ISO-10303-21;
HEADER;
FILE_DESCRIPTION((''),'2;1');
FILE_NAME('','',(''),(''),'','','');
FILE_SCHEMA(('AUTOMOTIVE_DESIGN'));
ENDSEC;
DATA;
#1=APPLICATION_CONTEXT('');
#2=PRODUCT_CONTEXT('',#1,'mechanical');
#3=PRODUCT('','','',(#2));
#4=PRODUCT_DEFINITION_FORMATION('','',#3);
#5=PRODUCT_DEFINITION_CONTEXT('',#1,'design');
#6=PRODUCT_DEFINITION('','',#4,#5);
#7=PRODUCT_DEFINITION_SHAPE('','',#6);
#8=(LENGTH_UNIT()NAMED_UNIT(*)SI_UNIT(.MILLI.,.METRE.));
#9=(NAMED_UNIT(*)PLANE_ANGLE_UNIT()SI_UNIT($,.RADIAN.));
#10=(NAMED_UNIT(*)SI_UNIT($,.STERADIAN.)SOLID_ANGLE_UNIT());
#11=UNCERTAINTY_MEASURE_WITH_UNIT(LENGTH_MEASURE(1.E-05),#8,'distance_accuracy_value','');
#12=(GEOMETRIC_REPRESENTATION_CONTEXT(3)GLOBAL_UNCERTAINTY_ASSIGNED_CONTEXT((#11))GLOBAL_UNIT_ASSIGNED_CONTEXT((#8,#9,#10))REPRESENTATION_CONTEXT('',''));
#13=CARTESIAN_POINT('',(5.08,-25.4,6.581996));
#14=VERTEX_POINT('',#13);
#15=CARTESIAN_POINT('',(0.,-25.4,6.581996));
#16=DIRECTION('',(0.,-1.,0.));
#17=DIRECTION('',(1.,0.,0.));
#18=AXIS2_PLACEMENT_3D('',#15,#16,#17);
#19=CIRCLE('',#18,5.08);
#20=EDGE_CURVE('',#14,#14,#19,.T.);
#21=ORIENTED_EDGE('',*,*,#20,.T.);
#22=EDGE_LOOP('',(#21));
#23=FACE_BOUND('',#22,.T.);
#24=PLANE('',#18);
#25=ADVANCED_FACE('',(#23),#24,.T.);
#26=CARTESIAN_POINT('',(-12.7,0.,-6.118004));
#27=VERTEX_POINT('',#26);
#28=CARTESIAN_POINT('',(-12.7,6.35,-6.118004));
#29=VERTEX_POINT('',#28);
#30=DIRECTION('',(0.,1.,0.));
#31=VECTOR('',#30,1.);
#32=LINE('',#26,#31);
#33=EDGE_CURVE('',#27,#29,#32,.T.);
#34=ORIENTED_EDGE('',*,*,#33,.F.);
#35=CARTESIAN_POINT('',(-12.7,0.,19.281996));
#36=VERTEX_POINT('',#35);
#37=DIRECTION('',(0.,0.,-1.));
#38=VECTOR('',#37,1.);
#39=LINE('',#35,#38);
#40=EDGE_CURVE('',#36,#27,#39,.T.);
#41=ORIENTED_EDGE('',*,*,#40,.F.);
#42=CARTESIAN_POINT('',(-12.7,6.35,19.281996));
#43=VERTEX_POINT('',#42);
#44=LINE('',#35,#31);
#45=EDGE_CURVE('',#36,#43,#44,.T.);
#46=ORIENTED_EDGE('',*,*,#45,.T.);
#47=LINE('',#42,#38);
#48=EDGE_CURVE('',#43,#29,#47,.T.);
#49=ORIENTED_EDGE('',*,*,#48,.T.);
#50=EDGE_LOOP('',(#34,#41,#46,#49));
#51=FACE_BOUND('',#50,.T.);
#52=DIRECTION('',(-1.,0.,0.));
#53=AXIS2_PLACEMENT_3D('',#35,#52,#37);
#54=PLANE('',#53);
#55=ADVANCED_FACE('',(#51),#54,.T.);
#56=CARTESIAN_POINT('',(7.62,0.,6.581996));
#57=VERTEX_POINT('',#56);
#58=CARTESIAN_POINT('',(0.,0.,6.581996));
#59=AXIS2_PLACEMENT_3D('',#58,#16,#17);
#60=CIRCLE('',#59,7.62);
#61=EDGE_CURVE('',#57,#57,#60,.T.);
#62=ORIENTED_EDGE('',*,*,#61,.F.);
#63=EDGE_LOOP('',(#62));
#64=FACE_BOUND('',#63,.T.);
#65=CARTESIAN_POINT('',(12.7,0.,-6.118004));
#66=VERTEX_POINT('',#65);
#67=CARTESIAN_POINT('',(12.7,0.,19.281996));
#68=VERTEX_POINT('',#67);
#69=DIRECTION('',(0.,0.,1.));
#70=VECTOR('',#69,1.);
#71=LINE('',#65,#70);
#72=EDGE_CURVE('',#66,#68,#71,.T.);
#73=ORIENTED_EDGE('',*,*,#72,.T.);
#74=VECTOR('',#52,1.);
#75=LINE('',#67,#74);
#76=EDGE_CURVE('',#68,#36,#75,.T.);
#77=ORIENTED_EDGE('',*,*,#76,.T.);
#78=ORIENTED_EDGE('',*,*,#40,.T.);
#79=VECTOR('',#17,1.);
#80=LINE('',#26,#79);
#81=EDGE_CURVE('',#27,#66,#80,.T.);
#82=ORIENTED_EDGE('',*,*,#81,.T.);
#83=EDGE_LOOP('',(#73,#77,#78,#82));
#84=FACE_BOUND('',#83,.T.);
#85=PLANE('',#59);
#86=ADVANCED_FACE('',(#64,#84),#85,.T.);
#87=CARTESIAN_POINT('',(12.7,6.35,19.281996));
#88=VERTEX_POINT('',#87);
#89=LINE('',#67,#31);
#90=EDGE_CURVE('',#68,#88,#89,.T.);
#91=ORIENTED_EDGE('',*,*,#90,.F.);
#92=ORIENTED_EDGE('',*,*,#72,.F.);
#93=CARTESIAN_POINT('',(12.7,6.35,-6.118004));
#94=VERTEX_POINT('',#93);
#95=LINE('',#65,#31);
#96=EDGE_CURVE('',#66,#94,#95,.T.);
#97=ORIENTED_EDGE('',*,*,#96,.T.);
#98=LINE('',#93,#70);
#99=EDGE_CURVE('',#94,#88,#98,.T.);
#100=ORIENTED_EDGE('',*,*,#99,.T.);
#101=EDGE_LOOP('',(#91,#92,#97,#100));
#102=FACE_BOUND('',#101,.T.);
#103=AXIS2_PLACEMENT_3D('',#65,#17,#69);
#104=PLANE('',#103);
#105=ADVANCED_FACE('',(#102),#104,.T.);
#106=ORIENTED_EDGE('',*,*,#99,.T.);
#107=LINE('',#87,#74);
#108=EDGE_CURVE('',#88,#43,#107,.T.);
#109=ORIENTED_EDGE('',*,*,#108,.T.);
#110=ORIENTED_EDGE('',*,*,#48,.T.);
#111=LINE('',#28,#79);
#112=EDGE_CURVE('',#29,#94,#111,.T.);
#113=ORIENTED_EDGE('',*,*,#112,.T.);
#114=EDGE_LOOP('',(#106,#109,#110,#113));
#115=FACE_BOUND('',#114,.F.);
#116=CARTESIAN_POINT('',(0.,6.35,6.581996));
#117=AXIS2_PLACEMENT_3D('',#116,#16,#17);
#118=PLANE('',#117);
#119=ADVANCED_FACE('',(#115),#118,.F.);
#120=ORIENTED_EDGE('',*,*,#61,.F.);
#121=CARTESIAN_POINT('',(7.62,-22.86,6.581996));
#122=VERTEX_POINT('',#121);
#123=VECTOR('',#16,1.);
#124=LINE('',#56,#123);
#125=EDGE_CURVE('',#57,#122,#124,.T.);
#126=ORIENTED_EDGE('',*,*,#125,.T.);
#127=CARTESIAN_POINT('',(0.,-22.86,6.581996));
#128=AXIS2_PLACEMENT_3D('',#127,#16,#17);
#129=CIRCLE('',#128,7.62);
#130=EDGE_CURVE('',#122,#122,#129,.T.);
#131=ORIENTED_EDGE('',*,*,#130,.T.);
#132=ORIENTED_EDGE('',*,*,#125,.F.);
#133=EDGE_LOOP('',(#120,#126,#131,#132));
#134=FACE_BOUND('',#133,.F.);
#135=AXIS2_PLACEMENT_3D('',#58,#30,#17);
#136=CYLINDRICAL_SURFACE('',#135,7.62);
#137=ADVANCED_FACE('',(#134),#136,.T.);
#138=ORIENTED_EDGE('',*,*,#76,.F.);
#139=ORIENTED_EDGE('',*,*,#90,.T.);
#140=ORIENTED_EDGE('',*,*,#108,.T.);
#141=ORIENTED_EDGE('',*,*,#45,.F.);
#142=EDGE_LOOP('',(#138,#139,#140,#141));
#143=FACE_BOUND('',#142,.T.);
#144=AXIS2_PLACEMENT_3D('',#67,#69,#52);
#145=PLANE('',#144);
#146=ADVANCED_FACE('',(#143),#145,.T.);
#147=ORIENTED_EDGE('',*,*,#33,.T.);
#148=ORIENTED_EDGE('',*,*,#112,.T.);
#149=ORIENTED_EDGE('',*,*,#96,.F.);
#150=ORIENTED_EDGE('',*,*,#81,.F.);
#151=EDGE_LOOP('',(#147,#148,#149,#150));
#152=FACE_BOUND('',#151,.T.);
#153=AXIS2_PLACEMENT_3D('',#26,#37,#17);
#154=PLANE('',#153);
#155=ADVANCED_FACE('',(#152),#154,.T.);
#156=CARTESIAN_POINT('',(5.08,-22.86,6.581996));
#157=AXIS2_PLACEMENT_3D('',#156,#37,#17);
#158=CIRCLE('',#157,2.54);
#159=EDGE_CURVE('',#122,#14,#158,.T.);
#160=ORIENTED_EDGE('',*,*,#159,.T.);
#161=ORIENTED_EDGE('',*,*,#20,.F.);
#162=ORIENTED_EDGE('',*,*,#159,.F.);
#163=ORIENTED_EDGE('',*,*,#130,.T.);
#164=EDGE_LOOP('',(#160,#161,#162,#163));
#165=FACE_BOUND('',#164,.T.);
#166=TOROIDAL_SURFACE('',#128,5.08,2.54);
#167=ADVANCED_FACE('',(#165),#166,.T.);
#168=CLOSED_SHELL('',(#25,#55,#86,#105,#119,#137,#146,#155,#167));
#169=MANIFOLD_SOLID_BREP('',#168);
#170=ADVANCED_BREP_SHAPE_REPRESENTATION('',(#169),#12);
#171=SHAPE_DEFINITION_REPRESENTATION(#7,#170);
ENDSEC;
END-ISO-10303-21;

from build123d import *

# Parameters (mm, degrees)
F0_R     = 7.62
F1_DEPTH = 25.4
F2_R     = 2.54
F4_DEPTH = 6.35


with BuildPart() as f1:
    # F0 (on Front) → F1 (new body)
    with BuildSketch(Plane.XZ):
        with Locations((0, 6.581996)):
            Circle(F0_R)
    extrude(amount=F1_DEPTH)

    # F2
    f2_edges = [f1.edges().sort_by_distance(p)[0] for p in [
        (-7.62, -25.4, 6.581996),
    ]]
    fillet(f2_edges, radius=F2_R)

    # F3 (on Front) → F4 (join)
    with BuildSketch(Plane.XZ):
        Polygon((-12.7, 19.281996), (-12.7, 15.119903), (-12.7, -6.118004), (12.7, -6.118004), (12.7, 19.281996), align=None)
    extrude(amount=-F4_DEPTH)


solid = f1.part
